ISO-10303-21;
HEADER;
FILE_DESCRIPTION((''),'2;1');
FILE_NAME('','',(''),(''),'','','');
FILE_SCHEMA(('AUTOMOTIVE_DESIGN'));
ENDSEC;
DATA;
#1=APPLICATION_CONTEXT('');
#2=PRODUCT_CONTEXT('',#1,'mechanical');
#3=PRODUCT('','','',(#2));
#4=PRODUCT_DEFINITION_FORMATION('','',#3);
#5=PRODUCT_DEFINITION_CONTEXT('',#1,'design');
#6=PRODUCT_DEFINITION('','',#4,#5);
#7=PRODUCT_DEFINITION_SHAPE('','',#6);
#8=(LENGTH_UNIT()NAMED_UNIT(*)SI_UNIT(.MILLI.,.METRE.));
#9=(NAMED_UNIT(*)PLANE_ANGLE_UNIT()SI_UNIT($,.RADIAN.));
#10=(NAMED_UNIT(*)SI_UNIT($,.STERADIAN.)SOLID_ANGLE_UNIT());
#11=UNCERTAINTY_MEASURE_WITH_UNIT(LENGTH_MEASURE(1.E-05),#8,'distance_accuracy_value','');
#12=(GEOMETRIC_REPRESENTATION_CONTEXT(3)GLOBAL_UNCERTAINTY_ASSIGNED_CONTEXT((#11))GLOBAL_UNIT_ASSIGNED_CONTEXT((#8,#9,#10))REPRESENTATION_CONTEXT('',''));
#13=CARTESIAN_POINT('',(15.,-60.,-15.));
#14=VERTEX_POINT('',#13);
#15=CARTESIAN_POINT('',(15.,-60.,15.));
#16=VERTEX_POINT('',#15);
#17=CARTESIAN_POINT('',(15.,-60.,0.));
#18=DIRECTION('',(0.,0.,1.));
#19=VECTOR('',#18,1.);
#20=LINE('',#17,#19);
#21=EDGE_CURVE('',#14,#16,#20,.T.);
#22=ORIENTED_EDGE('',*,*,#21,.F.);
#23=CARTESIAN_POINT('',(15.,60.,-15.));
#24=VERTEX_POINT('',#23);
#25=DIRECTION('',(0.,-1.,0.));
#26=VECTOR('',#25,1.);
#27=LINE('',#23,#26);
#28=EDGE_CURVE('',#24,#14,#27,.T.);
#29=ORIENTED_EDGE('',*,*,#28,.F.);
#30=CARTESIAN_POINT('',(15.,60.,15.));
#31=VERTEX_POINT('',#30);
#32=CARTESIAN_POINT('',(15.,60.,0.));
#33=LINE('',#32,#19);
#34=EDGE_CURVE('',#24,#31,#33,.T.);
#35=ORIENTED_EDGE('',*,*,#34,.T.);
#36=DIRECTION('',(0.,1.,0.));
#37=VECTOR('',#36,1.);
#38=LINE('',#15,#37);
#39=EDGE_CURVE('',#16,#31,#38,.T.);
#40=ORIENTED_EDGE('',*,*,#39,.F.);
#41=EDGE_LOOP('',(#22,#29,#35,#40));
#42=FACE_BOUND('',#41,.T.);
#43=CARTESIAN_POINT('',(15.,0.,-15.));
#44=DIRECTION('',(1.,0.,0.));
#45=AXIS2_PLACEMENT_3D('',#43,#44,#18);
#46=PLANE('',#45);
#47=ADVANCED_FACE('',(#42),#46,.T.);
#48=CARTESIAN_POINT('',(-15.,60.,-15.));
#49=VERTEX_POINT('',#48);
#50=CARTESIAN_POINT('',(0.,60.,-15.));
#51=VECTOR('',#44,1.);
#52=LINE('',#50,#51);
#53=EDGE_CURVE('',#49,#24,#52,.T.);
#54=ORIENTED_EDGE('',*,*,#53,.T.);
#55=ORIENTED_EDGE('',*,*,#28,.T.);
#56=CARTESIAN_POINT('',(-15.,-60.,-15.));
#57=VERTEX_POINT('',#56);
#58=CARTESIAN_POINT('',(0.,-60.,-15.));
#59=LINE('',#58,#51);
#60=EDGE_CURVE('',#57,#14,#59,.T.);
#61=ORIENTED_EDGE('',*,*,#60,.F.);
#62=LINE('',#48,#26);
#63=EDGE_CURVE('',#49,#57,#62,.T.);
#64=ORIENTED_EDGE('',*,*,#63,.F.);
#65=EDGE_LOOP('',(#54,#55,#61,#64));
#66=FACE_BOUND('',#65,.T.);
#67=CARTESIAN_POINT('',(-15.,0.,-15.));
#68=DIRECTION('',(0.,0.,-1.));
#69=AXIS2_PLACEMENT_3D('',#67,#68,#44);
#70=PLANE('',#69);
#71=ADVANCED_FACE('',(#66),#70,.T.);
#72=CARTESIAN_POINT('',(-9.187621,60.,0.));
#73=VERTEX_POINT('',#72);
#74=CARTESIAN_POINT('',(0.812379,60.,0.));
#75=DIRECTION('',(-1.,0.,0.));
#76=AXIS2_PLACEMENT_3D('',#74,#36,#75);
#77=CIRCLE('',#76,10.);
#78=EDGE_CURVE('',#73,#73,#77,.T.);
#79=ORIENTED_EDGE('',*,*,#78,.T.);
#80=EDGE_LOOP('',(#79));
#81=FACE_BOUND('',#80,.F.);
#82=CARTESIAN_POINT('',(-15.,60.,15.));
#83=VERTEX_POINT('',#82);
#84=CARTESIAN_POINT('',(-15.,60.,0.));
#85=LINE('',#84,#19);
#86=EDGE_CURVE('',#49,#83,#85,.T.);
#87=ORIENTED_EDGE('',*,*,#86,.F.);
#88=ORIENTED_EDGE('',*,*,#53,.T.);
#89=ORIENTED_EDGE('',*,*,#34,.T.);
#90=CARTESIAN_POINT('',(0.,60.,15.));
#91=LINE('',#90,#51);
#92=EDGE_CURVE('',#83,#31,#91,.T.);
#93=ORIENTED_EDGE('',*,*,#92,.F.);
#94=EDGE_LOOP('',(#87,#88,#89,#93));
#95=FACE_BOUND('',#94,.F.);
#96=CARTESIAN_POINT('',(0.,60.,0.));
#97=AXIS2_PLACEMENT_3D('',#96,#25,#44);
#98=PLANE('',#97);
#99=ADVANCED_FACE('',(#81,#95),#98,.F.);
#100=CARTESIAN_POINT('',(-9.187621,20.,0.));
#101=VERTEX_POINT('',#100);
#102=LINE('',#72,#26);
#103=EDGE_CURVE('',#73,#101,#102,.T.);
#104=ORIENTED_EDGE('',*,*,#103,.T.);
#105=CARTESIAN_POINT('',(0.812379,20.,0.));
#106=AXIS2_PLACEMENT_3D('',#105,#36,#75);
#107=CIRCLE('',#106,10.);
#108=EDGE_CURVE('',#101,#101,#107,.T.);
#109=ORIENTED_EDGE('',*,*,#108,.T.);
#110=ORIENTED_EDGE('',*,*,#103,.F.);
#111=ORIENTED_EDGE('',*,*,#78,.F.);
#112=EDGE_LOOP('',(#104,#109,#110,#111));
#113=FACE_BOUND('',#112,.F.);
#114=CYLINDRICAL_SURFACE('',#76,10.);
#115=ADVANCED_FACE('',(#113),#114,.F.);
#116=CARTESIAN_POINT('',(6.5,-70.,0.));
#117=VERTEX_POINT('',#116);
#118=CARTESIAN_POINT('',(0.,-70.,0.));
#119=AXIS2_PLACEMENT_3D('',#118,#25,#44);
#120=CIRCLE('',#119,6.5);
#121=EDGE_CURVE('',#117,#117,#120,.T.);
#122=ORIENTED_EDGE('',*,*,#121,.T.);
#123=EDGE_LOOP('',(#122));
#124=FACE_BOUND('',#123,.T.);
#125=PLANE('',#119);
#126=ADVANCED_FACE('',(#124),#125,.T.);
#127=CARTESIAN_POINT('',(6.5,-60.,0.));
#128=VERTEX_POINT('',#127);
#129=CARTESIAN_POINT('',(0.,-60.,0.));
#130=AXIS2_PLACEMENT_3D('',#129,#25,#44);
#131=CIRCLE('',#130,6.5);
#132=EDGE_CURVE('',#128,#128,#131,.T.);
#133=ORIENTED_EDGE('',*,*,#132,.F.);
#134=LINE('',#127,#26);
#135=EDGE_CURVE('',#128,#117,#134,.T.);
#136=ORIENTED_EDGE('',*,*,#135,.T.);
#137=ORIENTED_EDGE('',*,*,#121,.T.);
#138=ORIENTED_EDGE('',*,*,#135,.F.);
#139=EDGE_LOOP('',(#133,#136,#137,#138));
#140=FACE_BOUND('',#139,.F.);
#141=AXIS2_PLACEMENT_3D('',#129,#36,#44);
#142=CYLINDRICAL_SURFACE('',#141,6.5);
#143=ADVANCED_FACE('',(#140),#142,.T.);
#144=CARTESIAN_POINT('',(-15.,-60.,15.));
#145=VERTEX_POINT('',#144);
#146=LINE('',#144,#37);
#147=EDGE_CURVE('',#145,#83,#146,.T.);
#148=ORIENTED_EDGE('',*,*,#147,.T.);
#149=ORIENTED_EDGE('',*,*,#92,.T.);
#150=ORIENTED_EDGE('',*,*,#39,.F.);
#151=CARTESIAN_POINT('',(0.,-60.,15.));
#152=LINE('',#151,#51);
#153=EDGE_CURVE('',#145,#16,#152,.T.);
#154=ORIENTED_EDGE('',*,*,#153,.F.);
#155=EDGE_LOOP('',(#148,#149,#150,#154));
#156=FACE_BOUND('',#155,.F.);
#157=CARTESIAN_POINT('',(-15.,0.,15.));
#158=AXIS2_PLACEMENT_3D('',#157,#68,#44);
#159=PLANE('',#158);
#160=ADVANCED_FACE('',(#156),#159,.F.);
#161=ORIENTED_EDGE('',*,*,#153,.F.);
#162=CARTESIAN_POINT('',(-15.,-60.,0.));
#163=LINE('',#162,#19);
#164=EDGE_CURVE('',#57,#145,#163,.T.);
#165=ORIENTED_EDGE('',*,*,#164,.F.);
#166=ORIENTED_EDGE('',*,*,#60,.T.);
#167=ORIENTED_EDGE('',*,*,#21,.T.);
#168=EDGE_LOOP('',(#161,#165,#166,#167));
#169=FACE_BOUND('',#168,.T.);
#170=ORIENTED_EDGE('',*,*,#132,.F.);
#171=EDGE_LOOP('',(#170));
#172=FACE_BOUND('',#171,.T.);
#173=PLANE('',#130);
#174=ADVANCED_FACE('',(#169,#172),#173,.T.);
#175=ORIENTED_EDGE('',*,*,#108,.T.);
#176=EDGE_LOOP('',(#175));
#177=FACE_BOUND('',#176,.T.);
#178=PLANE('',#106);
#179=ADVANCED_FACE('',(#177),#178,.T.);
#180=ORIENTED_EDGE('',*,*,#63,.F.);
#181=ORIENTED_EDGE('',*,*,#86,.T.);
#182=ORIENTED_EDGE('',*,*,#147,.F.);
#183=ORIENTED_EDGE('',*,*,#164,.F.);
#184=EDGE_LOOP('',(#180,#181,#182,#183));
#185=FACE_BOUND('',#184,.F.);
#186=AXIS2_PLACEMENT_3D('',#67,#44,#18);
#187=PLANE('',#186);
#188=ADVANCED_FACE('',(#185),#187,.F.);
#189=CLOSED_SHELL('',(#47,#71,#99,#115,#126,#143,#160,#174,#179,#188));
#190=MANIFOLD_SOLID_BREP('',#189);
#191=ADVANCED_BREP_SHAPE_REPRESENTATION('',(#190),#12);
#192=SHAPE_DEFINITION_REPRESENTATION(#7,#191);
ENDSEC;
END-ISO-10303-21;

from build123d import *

# Parameters (mm, degrees)
F0_W     = 30
F0_H     = 30
F1_DEPTH = 60
F2_R     = 6.5
F3_DEPTH = 10
F4_R     = 10
F5_DEPTH = 40


with BuildPart() as f1:
    # F0 (on Front) → F1 (new body, symmetric)
    with BuildSketch(Plane.XZ):
        Rectangle(F0_W, F0_H)
    extrude(amount=F1_DEPTH, both=True)

    # F2 (on face) → F3 (join)
    with BuildSketch(Plane.XZ.offset(60)):
        Circle(F2_R)
    extrude(amount=F3_DEPTH)

    # F4 (on face) → F5 (cut)
    with BuildSketch(Plane(origin=(0, 60, 0), x_dir=(-1, 0, 0), z_dir=(0, 1, 0))):
        with Locations((-0.812379, 0)):
            Circle(F4_R)
    extrude(amount=-F5_DEPTH, mode=Mode.SUBTRACT)


solid = f1.part
